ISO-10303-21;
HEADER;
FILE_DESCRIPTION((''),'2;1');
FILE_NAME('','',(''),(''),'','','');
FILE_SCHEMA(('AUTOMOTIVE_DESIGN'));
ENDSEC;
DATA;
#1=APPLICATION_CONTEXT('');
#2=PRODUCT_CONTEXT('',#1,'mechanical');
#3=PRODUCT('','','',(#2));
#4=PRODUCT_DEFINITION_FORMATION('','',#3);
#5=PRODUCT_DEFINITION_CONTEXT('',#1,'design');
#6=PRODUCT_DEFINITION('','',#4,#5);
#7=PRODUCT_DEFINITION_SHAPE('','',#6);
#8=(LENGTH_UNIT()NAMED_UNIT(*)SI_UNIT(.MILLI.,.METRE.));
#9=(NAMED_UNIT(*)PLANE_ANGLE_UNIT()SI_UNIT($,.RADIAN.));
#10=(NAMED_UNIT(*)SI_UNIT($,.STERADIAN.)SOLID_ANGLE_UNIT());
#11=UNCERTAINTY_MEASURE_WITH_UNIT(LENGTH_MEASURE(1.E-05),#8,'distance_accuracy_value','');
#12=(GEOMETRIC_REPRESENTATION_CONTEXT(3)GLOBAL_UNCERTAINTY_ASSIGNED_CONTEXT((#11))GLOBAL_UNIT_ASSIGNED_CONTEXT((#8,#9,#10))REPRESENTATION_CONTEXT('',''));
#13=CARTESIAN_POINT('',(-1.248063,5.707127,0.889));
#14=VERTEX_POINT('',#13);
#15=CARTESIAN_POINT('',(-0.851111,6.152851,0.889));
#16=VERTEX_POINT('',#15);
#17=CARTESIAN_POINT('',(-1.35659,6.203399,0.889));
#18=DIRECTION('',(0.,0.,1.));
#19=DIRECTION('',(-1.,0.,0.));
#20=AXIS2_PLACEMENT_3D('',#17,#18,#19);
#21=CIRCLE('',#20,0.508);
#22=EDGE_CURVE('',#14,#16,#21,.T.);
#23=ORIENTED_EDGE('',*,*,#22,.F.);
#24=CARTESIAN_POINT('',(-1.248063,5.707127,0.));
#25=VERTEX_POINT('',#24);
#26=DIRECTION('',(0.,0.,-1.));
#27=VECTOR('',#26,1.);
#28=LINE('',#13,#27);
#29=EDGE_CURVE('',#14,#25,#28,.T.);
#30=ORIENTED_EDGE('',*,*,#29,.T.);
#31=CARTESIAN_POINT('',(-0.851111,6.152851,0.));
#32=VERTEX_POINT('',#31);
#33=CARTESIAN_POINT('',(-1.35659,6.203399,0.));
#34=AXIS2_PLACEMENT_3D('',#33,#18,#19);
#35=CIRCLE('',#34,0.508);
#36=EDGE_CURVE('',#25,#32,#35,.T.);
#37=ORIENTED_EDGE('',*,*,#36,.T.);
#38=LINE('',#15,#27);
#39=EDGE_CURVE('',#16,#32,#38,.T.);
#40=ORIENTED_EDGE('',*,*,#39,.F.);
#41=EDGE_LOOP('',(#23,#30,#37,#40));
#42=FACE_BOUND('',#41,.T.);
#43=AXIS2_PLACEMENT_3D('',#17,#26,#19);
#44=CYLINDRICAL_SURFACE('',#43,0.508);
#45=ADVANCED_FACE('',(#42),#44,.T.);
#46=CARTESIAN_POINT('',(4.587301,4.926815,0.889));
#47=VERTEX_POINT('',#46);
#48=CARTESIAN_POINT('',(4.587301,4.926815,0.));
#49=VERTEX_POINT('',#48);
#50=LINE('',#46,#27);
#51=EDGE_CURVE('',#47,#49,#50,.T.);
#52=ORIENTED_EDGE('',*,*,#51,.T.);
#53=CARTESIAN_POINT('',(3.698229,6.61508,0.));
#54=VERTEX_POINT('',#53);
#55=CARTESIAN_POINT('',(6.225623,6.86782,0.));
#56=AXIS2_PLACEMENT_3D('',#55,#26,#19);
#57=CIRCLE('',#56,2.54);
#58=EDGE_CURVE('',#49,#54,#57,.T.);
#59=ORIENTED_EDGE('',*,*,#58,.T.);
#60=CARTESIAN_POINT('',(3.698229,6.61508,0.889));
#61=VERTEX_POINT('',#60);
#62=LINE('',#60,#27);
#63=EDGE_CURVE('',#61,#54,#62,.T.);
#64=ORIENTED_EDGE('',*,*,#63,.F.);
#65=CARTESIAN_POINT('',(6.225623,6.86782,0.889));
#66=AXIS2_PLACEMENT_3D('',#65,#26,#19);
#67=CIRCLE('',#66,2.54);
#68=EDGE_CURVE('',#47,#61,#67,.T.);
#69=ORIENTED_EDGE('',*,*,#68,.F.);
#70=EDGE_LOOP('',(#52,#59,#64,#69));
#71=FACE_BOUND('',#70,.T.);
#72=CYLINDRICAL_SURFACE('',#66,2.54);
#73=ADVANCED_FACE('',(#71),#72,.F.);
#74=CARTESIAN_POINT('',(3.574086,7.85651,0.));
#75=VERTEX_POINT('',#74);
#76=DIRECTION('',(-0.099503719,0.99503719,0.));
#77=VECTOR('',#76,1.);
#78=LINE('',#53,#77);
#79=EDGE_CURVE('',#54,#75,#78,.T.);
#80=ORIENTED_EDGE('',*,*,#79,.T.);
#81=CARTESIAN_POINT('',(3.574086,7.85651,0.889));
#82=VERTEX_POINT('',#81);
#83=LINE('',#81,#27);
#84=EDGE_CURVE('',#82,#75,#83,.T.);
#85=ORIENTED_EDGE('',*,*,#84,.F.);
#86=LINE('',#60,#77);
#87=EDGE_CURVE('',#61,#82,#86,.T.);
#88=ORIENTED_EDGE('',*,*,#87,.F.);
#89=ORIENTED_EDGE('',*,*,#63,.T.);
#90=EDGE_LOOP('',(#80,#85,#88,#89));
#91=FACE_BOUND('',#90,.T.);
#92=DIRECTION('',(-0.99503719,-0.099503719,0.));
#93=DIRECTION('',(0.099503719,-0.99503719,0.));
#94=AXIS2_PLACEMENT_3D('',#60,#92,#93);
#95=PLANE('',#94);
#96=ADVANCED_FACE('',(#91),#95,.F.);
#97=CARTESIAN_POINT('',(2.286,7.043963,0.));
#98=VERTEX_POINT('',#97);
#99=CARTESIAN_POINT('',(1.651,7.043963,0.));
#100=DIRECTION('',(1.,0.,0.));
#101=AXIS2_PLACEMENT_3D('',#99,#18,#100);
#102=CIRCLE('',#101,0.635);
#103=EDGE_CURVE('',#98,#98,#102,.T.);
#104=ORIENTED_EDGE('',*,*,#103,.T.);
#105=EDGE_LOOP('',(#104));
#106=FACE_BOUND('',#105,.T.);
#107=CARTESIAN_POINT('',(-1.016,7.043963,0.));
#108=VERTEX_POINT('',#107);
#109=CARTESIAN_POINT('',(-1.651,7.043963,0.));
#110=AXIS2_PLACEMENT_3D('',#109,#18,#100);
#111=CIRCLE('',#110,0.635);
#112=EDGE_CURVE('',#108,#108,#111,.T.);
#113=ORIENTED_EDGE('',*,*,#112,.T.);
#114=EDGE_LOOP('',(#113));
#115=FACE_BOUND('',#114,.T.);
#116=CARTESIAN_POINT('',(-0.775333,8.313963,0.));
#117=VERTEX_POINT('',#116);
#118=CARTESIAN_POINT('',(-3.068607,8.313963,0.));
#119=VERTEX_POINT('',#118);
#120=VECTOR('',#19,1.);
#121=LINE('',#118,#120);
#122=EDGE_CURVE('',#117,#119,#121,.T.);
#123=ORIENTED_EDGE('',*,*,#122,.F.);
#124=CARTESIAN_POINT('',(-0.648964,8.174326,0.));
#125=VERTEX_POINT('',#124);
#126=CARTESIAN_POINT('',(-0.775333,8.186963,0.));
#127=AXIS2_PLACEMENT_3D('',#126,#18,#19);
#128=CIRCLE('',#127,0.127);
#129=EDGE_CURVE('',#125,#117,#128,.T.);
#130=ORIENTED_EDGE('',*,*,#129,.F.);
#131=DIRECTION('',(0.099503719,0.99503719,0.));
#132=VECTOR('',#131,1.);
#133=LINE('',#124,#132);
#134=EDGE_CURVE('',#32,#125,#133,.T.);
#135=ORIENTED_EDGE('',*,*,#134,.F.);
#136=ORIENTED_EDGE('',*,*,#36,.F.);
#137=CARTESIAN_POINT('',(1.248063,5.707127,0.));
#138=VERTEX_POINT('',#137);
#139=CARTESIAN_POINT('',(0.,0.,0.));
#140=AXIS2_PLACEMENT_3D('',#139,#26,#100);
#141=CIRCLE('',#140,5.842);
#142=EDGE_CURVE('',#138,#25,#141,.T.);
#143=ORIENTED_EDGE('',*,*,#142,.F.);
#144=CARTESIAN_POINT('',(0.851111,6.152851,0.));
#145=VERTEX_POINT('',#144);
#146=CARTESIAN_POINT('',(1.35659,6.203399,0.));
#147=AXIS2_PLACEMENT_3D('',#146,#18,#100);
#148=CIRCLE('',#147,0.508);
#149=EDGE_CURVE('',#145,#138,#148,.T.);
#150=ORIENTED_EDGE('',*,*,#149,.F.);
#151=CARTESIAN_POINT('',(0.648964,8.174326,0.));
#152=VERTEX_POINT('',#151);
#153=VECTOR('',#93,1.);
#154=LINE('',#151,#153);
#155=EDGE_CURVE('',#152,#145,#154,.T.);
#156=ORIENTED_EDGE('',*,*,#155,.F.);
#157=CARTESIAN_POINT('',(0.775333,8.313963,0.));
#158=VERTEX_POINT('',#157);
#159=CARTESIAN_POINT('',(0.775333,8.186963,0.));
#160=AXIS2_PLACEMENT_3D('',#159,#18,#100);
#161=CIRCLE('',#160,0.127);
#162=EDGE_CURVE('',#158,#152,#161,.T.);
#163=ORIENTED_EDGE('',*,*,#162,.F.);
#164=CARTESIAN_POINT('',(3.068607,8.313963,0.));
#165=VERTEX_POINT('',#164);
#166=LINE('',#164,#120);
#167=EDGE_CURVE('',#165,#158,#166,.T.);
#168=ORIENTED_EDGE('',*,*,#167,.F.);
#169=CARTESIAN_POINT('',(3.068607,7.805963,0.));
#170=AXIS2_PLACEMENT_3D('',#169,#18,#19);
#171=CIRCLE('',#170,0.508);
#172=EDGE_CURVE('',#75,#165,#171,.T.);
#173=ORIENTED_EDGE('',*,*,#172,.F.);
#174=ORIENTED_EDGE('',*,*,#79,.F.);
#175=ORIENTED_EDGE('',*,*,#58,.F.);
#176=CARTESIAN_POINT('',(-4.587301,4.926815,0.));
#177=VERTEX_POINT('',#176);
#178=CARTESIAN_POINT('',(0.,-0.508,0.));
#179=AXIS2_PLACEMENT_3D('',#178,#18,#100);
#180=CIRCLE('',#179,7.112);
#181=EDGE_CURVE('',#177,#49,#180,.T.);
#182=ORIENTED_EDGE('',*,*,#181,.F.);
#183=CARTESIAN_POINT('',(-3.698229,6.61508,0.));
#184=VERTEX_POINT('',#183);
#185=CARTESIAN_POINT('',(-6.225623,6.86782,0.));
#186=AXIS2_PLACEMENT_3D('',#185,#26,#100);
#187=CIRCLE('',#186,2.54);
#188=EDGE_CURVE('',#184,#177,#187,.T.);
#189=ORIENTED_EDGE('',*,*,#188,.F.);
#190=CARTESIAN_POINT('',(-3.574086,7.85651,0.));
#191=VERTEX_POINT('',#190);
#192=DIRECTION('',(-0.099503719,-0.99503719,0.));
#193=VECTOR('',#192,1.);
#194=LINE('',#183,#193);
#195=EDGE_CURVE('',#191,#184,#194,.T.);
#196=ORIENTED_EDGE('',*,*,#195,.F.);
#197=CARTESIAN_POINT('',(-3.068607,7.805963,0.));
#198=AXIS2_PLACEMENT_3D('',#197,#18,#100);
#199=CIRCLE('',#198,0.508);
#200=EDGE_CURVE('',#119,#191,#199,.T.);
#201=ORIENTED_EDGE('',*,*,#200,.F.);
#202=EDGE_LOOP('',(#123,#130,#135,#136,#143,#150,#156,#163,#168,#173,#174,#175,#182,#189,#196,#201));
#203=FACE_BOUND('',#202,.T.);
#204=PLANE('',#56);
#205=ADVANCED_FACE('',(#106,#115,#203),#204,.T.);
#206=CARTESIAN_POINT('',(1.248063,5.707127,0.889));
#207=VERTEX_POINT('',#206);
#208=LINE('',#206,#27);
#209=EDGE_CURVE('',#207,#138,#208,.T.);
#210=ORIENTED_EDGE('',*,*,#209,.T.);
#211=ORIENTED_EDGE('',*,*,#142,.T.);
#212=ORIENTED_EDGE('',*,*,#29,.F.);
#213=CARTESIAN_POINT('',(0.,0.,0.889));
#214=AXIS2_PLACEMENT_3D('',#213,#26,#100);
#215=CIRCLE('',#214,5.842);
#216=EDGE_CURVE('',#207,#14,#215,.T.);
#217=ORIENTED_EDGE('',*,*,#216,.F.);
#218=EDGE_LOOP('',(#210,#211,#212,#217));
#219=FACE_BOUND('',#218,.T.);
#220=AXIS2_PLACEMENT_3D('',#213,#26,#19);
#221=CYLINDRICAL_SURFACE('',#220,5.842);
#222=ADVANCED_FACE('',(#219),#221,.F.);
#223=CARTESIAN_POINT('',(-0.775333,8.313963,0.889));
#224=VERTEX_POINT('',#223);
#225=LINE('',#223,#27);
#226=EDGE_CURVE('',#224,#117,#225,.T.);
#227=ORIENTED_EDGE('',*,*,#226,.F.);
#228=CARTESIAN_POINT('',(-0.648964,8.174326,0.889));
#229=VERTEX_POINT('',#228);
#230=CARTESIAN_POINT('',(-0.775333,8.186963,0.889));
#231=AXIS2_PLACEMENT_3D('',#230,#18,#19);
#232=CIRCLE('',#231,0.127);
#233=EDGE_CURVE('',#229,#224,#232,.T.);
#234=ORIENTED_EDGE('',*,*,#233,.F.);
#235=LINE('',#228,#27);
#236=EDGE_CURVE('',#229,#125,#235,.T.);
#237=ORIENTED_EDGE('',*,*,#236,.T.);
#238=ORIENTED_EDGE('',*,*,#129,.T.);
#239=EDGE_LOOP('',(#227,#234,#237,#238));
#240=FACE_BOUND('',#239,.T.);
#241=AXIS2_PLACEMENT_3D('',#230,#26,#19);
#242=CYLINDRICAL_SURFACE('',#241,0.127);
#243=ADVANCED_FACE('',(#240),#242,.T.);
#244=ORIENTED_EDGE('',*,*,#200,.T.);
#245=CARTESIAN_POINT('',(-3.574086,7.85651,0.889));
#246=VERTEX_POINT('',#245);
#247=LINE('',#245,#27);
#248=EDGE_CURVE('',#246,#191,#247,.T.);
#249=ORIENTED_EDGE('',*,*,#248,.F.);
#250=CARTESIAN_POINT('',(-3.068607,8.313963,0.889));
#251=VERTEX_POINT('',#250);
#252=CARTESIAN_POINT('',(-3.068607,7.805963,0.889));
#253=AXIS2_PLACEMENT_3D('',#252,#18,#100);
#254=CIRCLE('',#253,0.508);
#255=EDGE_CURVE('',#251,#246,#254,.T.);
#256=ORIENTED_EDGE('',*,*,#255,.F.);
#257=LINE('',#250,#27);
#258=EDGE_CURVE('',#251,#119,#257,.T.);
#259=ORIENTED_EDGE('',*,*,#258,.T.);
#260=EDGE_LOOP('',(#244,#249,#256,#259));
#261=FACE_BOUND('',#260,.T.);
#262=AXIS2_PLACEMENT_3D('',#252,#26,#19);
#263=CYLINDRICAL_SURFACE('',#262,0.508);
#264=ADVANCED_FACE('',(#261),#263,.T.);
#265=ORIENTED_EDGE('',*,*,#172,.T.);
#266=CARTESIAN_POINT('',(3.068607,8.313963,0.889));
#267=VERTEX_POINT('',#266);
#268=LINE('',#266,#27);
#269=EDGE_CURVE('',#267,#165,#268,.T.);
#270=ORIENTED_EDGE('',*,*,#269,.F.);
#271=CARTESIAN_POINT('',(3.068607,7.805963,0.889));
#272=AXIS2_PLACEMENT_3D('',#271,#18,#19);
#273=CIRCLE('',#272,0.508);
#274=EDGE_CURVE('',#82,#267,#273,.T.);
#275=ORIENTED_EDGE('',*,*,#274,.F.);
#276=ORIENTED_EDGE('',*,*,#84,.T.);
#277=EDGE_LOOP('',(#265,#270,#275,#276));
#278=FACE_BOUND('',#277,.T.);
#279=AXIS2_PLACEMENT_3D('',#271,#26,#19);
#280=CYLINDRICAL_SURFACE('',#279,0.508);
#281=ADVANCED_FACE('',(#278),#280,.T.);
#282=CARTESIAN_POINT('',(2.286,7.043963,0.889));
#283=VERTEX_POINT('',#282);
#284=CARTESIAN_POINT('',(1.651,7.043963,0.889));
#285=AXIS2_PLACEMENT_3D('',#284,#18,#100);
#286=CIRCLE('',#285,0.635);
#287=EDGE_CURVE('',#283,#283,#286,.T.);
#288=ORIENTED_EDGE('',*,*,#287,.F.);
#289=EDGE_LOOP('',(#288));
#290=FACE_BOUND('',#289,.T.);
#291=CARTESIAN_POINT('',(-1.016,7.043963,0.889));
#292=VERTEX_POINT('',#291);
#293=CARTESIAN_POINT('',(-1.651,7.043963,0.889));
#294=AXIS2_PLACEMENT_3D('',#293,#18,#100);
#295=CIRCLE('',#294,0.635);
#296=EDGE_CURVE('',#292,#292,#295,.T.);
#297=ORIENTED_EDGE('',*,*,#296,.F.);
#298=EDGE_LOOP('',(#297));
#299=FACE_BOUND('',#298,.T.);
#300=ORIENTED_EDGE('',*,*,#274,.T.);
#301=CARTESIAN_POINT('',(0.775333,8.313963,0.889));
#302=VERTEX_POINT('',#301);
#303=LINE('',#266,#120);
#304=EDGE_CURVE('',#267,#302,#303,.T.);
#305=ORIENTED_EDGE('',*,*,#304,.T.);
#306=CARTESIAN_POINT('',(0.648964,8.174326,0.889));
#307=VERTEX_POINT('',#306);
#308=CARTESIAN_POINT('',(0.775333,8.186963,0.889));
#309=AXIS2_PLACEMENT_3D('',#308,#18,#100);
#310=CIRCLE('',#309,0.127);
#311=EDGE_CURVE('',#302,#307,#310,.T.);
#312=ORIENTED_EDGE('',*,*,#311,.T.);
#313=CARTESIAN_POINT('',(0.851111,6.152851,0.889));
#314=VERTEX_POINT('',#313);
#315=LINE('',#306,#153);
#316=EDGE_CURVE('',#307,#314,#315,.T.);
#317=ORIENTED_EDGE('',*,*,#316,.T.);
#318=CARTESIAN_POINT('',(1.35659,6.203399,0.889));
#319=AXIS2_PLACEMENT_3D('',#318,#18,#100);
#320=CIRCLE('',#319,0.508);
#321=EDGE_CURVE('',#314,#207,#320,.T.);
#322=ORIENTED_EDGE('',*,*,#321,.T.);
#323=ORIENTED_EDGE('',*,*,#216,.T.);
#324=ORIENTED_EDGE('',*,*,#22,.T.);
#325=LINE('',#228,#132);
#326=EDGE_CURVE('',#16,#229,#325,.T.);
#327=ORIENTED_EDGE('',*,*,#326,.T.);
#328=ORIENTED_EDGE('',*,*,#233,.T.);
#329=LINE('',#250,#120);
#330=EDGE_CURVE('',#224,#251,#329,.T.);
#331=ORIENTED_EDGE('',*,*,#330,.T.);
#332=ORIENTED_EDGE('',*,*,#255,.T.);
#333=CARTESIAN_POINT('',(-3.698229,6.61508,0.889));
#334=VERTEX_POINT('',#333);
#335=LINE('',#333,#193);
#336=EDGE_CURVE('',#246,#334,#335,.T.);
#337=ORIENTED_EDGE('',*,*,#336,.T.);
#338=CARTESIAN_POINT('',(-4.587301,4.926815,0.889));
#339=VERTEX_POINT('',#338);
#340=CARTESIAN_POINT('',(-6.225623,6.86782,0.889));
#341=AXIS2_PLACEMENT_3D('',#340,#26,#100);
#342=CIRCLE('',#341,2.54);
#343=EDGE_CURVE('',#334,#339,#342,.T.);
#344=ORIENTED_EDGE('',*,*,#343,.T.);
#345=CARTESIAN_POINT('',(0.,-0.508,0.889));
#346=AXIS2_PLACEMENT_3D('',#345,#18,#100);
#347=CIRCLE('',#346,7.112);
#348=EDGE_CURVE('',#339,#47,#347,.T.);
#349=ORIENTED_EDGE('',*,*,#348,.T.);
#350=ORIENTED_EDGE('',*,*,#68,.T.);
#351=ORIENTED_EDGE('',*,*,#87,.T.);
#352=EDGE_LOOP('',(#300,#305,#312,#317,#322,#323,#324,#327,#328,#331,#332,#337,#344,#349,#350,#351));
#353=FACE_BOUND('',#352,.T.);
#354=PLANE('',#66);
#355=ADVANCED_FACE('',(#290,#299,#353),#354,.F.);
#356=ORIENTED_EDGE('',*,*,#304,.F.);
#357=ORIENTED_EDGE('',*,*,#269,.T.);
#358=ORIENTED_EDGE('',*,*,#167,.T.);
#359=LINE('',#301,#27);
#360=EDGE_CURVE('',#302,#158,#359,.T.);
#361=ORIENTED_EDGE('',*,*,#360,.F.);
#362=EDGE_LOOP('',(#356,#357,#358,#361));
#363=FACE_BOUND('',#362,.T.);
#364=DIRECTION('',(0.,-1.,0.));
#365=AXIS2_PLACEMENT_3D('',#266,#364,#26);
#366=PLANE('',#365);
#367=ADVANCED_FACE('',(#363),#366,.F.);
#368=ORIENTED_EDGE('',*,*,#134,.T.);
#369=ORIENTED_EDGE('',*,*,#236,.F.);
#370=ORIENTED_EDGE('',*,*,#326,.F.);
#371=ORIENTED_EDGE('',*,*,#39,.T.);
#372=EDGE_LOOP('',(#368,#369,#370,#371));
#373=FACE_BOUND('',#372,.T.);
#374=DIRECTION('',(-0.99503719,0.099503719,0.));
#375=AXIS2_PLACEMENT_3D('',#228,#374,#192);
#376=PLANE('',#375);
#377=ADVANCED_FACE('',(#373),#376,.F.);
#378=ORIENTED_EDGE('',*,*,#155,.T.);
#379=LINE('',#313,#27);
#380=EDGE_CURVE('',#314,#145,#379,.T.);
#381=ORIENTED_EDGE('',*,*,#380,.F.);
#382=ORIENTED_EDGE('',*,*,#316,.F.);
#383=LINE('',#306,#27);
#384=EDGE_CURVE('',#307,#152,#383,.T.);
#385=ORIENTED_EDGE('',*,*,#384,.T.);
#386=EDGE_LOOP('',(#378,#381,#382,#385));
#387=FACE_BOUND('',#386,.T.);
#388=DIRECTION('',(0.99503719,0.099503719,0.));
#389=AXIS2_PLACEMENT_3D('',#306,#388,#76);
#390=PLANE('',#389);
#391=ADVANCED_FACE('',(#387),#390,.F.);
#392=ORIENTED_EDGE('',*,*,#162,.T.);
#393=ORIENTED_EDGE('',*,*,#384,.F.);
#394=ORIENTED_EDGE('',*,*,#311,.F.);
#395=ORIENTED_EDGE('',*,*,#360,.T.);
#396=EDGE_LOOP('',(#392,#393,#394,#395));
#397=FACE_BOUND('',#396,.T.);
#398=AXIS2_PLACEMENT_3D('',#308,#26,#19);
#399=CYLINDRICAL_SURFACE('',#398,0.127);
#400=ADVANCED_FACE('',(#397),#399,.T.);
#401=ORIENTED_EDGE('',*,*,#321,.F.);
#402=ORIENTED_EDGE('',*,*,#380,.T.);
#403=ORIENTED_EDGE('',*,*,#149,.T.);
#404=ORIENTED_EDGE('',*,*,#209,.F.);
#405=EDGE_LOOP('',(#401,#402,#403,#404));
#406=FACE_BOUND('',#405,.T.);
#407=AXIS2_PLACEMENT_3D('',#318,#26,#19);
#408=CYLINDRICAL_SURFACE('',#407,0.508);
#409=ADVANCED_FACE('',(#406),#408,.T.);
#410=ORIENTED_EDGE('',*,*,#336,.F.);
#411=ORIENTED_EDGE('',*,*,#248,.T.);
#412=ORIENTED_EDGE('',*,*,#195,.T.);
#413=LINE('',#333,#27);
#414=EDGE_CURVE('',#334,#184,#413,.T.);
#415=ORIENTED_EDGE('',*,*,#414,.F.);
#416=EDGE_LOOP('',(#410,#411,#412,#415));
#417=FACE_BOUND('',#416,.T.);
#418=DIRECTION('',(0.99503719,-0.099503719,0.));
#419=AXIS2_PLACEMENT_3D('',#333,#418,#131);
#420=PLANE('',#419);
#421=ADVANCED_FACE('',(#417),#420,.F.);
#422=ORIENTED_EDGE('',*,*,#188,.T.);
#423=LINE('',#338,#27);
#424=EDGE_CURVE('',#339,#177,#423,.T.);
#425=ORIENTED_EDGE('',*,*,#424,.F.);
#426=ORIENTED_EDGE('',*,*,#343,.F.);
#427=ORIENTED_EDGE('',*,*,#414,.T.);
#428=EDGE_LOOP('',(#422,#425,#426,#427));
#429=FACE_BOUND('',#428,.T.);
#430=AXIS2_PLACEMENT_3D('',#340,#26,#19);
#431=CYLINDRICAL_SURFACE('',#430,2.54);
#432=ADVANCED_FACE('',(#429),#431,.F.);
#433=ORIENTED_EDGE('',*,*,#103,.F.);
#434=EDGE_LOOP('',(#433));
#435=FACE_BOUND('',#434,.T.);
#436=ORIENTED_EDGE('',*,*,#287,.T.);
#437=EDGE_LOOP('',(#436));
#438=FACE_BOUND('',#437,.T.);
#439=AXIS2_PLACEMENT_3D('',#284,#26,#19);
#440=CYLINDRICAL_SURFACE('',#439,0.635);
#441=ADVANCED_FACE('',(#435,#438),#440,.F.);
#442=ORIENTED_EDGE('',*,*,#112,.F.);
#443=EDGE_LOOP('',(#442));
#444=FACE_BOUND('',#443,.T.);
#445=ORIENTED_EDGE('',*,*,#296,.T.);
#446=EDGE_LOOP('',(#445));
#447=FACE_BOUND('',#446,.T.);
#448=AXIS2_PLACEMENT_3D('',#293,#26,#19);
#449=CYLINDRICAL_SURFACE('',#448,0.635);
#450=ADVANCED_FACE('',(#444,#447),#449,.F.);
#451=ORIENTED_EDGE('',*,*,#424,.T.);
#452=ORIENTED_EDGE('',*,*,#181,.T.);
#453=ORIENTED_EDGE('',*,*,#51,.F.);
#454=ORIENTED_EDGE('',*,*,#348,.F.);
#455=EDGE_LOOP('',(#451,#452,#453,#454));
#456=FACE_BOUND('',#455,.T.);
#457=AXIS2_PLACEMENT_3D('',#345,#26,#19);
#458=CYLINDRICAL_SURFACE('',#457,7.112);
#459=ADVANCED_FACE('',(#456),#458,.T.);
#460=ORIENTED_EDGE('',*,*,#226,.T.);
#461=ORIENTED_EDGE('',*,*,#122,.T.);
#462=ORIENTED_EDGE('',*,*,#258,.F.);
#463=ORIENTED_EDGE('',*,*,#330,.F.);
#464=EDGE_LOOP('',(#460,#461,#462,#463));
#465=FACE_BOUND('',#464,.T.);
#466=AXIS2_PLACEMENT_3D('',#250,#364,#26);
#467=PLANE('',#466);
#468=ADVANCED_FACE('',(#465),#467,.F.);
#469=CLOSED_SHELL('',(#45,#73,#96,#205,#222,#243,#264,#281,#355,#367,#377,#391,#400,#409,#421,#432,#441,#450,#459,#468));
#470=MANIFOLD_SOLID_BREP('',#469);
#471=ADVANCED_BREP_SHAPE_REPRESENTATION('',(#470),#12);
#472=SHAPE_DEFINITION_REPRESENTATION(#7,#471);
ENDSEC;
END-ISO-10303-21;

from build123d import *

# Parameters (mm, degrees)
SKETCH1_R           = 0.635
BOSS_EXTRUDE1_DEPTH = 0.889


with BuildPart() as part:
    # Sketch1 → Boss-Extrude1 (new body)
    with BuildSketch(Plane.XY):
        with BuildLine():
            Line((-3.698228745, 6.615080486), (-3.574085754, 7.856510393))
            ThreePointArc((-3.574085754, 7.856510393), (-3.409477564, 8.182620391), (-3.068606861, 8.313962504))
            Line((-3.068606861, 8.313962504), (-0.77533342, 8.313962504))
            ThreePointArc((-0.77533342, 8.313962504), (-0.681168949, 8.27218018), (-0.648963697, 8.174325532))
            Line((-0.648963697, 8.174325532), (-0.851111104, 6.152851468))
            ThreePointArc((-0.851111104, 6.152851468), (-0.97722427, 5.865544883), (-1.248062797, 5.707127408))
            ThreePointArc((-1.248062797, 5.707127408), (0, -5.842), (1.248062797, 5.707127408))
            ThreePointArc((1.248062797, 5.707127408), (0.97722427, 5.865544883), (0.851111104, 6.152851468))
            Line((0.851111104, 6.152851468), (0.648963697, 8.174325532))
            ThreePointArc((0.648963697, 8.174325532), (0.681168949, 8.27218018), (0.77533342, 8.313962504))
            Line((0.77533342, 8.313962504), (3.068606861, 8.313962504))
            ThreePointArc((3.068606861, 8.313962504), (3.409477564, 8.182620391), (3.574085754, 7.856510393))
            Line((3.574085754, 7.856510393), (3.698228745, 6.615080486))
            ThreePointArc((3.698228745, 6.615080486), (3.978211686, 5.684290697), (4.587301311, 4.926814687))
            ThreePointArc((4.587301311, 4.926814687), (0, -7.62), (-4.587301311, 4.926814687))
            ThreePointArc((-4.587301311, 4.926814687), (-3.978211686, 5.684290697), (-3.698228745, 6.615080486))
        make_face()
        with Locations((-1.651, 7.043962504)):
            Circle(SKETCH1_R, mode=Mode.SUBTRACT)
        with Locations((1.651, 7.043962504)):
            Circle(SKETCH1_R, mode=Mode.SUBTRACT)
    extrude(amount=BOSS_EXTRUDE1_DEPTH)


solid = part.part
